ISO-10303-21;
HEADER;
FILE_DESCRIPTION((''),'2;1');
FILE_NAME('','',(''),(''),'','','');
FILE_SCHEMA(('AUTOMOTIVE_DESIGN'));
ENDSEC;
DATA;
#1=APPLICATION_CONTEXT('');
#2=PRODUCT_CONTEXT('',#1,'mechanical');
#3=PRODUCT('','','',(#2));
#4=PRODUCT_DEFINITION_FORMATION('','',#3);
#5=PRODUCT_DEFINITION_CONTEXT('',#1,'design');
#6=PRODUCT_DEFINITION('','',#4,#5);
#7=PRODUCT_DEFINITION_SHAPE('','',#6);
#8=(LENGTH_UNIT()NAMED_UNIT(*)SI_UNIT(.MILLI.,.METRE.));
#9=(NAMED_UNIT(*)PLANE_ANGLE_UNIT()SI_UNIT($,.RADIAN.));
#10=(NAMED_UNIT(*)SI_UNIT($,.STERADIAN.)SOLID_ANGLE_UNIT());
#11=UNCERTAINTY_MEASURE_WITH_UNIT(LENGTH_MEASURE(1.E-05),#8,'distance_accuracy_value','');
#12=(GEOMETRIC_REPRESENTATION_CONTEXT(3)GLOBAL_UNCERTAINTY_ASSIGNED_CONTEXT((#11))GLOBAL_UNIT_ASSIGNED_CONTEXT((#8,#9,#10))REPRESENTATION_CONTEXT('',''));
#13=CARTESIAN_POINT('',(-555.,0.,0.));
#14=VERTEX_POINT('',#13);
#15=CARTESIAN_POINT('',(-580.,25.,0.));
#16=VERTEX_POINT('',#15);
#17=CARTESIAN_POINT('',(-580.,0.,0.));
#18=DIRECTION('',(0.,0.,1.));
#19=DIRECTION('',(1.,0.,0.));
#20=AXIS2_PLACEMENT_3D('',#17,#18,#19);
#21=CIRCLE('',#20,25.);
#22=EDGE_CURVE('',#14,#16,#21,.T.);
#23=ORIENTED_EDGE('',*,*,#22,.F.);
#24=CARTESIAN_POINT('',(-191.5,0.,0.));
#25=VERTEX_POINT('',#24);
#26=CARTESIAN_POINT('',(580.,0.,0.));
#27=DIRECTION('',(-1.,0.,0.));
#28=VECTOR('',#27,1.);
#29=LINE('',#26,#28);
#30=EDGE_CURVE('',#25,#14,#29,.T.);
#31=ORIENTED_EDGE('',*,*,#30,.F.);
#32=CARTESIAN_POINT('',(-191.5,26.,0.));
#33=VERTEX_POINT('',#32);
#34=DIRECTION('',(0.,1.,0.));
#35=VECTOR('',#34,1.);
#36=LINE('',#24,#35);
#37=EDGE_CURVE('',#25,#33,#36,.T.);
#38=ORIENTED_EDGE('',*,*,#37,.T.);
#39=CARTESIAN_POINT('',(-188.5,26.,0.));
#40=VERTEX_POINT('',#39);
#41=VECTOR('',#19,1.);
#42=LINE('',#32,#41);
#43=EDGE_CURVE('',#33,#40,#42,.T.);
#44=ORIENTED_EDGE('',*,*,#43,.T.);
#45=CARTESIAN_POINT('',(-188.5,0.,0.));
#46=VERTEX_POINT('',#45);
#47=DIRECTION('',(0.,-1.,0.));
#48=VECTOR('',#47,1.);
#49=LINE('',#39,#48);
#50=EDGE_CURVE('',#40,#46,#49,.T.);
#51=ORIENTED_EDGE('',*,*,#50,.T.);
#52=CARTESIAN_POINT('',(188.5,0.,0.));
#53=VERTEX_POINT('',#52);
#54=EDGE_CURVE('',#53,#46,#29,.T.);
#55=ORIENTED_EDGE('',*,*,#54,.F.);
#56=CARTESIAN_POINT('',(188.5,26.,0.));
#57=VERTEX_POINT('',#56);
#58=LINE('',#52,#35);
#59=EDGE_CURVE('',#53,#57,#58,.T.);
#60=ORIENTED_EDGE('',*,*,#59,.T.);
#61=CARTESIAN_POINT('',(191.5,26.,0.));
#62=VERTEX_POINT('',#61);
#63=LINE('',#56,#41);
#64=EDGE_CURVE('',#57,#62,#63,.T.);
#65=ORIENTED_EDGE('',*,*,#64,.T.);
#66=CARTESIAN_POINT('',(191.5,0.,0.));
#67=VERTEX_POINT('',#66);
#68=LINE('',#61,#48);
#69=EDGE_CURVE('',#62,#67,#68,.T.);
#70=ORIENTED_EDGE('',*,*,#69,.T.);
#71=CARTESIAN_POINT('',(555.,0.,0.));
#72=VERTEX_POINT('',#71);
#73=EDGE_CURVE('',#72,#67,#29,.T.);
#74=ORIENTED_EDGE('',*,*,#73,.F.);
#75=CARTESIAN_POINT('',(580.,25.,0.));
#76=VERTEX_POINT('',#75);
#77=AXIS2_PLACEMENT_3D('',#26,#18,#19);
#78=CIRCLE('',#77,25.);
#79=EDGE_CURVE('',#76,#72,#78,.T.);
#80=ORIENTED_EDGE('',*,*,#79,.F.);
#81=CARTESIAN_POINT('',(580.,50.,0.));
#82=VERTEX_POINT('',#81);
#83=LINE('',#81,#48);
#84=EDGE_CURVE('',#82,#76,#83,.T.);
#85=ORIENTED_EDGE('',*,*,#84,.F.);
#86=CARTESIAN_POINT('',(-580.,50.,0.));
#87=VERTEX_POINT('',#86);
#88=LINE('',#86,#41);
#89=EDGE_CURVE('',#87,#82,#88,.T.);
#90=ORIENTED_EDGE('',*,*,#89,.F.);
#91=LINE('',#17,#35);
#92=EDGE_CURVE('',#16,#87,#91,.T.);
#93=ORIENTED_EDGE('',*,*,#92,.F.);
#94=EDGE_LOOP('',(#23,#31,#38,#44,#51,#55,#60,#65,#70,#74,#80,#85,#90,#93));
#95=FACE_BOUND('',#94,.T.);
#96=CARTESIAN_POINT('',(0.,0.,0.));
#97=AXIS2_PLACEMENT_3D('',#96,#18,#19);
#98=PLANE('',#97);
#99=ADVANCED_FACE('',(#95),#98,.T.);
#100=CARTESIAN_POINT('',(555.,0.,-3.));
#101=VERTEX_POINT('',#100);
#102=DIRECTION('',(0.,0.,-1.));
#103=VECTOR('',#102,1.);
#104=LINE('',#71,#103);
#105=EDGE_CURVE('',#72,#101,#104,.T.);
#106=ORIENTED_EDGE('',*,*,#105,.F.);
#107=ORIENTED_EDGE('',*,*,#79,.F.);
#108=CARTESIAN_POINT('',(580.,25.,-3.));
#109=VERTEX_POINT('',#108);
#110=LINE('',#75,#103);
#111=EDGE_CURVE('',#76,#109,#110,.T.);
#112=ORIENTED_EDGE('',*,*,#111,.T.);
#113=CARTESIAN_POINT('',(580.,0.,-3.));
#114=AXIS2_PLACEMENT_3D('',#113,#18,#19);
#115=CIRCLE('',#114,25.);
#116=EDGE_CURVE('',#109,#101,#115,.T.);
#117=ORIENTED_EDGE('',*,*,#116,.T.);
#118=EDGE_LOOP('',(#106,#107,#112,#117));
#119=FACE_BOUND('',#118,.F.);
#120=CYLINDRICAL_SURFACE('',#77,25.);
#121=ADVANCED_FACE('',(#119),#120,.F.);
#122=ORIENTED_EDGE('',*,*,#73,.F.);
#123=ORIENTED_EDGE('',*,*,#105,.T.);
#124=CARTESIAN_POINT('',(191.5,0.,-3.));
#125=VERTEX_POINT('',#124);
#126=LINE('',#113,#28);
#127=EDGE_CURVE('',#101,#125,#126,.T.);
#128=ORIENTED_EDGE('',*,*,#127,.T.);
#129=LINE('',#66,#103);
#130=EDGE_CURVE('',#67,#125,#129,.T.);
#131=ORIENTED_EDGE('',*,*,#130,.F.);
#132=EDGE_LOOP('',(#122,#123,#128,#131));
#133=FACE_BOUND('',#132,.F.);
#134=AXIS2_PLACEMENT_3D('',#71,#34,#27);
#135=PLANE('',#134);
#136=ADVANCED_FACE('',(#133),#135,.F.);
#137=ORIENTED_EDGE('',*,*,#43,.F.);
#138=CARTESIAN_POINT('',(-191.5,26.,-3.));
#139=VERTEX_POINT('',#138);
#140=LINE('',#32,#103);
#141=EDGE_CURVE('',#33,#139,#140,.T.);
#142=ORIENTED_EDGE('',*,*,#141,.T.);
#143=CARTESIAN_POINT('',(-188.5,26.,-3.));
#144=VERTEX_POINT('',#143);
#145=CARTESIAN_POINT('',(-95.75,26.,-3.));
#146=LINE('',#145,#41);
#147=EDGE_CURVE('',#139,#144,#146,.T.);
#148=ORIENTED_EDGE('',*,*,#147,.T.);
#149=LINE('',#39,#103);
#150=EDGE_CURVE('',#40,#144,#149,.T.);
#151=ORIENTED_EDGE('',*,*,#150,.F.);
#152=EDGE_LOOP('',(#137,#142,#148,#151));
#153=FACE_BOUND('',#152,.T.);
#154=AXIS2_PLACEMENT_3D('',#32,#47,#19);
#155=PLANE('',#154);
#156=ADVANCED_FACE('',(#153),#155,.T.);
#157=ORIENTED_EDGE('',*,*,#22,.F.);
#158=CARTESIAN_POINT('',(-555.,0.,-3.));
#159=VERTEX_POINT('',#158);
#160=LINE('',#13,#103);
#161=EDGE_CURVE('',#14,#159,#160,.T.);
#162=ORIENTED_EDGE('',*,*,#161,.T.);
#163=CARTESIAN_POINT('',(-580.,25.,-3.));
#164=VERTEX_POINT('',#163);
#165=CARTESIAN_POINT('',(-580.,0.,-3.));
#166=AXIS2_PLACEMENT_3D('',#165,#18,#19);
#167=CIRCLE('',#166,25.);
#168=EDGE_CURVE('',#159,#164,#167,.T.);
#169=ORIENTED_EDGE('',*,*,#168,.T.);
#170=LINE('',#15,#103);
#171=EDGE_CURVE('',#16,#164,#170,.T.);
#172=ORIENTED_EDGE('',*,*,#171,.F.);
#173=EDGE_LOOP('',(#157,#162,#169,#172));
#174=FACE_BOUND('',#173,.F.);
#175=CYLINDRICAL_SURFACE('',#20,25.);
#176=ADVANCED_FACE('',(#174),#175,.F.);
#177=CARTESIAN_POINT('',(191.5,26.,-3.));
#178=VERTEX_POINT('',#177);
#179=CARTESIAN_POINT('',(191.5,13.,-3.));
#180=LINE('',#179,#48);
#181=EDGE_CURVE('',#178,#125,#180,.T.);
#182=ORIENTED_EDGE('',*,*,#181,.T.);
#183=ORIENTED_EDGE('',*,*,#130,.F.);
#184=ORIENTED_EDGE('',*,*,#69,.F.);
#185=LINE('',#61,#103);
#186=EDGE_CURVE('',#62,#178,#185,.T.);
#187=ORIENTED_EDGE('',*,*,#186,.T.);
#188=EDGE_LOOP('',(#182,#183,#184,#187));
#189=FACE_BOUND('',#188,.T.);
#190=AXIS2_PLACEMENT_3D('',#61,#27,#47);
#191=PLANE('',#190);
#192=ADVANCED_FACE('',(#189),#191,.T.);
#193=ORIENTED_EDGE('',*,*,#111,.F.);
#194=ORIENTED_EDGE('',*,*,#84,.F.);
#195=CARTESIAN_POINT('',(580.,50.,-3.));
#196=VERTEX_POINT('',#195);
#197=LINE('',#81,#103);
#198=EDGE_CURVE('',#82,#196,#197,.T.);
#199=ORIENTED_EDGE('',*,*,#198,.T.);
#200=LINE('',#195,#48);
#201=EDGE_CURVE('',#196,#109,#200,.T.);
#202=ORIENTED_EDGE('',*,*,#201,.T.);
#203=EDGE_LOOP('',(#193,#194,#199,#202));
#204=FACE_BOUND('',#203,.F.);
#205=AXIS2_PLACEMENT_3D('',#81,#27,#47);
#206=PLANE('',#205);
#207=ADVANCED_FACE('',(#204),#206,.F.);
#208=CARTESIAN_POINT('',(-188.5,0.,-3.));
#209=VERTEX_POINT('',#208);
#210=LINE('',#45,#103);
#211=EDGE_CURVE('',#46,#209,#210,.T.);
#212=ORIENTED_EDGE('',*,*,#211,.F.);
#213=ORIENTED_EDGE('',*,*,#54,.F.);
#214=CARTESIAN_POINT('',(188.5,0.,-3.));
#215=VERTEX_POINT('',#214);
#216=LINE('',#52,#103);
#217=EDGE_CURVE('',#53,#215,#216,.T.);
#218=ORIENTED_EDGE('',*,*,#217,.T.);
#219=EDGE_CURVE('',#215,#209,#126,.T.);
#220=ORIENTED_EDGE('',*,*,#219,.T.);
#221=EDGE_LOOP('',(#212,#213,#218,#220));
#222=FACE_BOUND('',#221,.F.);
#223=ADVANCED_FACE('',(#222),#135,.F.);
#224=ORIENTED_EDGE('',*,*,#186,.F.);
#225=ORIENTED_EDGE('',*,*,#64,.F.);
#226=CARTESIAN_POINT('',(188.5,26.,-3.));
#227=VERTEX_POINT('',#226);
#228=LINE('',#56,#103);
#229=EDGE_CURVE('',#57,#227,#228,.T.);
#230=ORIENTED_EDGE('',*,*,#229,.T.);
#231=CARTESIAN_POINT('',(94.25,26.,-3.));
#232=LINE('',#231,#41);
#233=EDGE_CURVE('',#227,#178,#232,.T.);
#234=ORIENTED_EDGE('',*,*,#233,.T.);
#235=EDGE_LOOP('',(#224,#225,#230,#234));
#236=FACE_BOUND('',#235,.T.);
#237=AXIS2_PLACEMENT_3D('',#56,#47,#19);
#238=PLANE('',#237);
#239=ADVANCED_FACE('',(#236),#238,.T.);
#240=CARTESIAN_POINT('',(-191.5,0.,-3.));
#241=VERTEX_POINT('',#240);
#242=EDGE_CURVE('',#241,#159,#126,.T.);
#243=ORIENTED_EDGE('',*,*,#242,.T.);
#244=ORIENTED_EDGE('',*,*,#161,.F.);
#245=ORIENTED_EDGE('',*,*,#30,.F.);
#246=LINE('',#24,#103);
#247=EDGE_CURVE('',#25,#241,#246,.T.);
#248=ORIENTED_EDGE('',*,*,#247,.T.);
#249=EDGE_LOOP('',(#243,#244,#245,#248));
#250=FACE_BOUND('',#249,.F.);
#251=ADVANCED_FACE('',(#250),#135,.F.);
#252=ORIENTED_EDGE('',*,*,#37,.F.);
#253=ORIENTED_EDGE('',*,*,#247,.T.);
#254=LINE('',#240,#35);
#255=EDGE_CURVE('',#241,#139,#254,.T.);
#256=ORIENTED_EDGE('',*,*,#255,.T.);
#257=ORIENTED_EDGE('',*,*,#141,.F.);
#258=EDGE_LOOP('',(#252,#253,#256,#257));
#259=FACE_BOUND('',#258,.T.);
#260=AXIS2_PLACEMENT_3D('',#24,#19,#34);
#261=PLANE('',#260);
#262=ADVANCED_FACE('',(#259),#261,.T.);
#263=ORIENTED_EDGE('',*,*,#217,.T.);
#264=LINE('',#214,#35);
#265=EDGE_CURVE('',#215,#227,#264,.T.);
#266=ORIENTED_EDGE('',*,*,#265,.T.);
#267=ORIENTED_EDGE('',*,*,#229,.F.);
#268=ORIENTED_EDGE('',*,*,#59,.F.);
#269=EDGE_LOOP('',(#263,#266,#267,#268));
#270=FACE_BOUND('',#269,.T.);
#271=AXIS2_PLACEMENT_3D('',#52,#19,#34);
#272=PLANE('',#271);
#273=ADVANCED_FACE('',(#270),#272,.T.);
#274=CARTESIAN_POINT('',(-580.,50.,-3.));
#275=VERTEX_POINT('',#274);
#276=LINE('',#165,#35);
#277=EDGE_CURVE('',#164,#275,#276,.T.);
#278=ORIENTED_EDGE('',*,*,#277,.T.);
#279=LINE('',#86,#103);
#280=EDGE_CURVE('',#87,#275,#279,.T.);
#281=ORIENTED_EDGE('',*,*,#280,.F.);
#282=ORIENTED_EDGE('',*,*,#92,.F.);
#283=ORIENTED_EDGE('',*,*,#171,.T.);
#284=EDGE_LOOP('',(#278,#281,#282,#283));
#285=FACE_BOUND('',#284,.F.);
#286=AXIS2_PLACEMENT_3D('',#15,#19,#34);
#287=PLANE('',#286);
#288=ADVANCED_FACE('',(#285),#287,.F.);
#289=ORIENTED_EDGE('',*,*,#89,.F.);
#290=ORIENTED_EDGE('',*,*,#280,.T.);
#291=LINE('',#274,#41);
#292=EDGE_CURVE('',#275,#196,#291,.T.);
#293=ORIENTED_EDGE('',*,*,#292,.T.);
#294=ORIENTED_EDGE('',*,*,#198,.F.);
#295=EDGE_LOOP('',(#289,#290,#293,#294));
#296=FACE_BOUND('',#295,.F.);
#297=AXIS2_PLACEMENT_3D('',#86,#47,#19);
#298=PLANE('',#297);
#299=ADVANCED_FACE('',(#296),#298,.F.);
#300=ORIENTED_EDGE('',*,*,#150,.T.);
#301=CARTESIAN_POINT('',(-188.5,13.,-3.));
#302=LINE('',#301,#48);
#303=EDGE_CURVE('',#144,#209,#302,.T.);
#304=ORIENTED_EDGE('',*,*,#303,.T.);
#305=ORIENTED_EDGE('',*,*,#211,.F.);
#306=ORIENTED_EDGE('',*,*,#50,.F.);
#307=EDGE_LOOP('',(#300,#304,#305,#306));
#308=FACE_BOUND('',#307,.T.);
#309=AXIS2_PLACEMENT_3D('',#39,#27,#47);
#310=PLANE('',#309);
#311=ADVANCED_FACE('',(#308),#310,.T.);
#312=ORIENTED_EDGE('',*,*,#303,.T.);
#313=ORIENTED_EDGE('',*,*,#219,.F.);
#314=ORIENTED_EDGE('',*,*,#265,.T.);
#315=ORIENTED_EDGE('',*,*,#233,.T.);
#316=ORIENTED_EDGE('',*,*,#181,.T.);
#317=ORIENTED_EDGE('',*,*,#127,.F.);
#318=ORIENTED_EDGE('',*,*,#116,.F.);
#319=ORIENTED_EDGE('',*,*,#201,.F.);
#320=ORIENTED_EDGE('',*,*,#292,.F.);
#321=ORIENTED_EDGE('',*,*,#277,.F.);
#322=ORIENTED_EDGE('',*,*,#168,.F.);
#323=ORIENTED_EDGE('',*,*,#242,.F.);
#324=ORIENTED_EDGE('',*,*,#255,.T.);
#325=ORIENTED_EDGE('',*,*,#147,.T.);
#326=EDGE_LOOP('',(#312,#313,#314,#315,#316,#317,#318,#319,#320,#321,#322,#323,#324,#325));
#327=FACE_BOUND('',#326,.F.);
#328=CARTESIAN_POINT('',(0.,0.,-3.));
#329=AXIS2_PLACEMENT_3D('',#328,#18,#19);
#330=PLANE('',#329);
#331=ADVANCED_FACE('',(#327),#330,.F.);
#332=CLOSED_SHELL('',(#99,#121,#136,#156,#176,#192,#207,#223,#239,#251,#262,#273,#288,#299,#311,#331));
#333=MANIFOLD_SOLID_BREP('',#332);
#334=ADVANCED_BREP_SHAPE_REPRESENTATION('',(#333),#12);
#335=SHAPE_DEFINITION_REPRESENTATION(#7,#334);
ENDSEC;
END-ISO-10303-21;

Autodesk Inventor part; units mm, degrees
ref_plane "YZ Plane" through (0, 0, 0) normal (1, 0, 0) x (0, 1, 0)
ref_plane "XZ Plane" through (0, 0, 0) normal (0, 1, 0) x (-1, 0, 0)
ref_plane "XY Plane" through (0, 0, 0) normal (0, 0, 1) x (1, 0, 0)
sketch "Sketch1" plane through (0, 0, 0) normal (0, 0, 1) x (1, 0, 0)
  line L0 (-580, 50) -> (580, 50)
  line L1 (580, 50) -> (580, 0)
  line L2 (580, 0) -> (-580, 0)
  line L3 (-580, 0) -> (-580, 50)
  circle A0 centre (-580, 0) radius 25
  circle A1 centre (580, 0) radius 25
  point P0 (0, 0)
  point P1 (0, 0)
  point P2 (-580, 25)
  point P3 (-555, 0)
  point P4 (555, 0)
  point P5 (580, 25)
  dimension "d16" = 50
  dimension "d17" = 1160
  dimension "d18" = 50
  dimension "d19" = 50
extrude "Plate2" add sketch "Sketch1" against normal blind 3 contours L0 L1 A1 L2 A0 L3
sketch "Sketch2" plane through (0, 0, 0) normal (0, 0, 1) x (1, 0, 0)
  line L0 (-555, 0) -> (555, 0) projected
  line L1 (190, 0) -> (190, 50) construction
  line L2 (580, 50) -> (-580, 50) projected
  line L3 (188.5, 26) -> (191.5, 26)
  line L4 (191.5, 26) -> (191.5, 0)
  line L5 (191.5, 0) -> (188.5, 0)
  line L6 (188.5, 0) -> (188.5, 26)
  line L7 (-190, 50) -> (-190, 0) construction
  line L8 (-191.5, 26) -> (-188.5, 26)
  line L9 (-188.5, 26) -> (-188.5, 0)
  line L10 (-188.5, 0) -> (-191.5, 0)
  line L11 (-191.5, 0) -> (-191.5, 26)
  point P0 (0, 0)
  point P1 (0, 0)
  point P2 (191.5, 0)
  point P3 (0, 0)
  point P4 (-188.5, 0)
  dimension "d21" = 190
  dimension "d22" = 3
  dimension "d23" = 26
  dimension "d29" = 190
  dimension "d30" = 3
  dimension "d31" = 26
extrude "Extrusion1" cut sketch "Sketch2" against normal through all
equation "\"d22\" = Thickness"
equation "\"d29\" = d21"
equation "\"d30\" = Thickness"
equation "\"d31\" = d23"
equation "\"d20\" = Thickness"
equation "\"BendReliefWidth\" = Thickness"
equation "\"BendReliefDepth\" = 0.5 * Thickness"
equation "\"CornerReliefSize\" = 4 * Thickness"
equation "\"MinimumRemnant\" = 2 * Thickness"
equation "\"TransitionRadius\" = BendRadius"
equation "\"JacobiRadiusSize\" = BendRadius"
equation "\"GapSize\" = Thickness"
equation "\"Thickness\" = 3"
equation "\"BendRadius\" = 5"
properties part number "MSC 0563 rib cone" material "Stainless Steel"
